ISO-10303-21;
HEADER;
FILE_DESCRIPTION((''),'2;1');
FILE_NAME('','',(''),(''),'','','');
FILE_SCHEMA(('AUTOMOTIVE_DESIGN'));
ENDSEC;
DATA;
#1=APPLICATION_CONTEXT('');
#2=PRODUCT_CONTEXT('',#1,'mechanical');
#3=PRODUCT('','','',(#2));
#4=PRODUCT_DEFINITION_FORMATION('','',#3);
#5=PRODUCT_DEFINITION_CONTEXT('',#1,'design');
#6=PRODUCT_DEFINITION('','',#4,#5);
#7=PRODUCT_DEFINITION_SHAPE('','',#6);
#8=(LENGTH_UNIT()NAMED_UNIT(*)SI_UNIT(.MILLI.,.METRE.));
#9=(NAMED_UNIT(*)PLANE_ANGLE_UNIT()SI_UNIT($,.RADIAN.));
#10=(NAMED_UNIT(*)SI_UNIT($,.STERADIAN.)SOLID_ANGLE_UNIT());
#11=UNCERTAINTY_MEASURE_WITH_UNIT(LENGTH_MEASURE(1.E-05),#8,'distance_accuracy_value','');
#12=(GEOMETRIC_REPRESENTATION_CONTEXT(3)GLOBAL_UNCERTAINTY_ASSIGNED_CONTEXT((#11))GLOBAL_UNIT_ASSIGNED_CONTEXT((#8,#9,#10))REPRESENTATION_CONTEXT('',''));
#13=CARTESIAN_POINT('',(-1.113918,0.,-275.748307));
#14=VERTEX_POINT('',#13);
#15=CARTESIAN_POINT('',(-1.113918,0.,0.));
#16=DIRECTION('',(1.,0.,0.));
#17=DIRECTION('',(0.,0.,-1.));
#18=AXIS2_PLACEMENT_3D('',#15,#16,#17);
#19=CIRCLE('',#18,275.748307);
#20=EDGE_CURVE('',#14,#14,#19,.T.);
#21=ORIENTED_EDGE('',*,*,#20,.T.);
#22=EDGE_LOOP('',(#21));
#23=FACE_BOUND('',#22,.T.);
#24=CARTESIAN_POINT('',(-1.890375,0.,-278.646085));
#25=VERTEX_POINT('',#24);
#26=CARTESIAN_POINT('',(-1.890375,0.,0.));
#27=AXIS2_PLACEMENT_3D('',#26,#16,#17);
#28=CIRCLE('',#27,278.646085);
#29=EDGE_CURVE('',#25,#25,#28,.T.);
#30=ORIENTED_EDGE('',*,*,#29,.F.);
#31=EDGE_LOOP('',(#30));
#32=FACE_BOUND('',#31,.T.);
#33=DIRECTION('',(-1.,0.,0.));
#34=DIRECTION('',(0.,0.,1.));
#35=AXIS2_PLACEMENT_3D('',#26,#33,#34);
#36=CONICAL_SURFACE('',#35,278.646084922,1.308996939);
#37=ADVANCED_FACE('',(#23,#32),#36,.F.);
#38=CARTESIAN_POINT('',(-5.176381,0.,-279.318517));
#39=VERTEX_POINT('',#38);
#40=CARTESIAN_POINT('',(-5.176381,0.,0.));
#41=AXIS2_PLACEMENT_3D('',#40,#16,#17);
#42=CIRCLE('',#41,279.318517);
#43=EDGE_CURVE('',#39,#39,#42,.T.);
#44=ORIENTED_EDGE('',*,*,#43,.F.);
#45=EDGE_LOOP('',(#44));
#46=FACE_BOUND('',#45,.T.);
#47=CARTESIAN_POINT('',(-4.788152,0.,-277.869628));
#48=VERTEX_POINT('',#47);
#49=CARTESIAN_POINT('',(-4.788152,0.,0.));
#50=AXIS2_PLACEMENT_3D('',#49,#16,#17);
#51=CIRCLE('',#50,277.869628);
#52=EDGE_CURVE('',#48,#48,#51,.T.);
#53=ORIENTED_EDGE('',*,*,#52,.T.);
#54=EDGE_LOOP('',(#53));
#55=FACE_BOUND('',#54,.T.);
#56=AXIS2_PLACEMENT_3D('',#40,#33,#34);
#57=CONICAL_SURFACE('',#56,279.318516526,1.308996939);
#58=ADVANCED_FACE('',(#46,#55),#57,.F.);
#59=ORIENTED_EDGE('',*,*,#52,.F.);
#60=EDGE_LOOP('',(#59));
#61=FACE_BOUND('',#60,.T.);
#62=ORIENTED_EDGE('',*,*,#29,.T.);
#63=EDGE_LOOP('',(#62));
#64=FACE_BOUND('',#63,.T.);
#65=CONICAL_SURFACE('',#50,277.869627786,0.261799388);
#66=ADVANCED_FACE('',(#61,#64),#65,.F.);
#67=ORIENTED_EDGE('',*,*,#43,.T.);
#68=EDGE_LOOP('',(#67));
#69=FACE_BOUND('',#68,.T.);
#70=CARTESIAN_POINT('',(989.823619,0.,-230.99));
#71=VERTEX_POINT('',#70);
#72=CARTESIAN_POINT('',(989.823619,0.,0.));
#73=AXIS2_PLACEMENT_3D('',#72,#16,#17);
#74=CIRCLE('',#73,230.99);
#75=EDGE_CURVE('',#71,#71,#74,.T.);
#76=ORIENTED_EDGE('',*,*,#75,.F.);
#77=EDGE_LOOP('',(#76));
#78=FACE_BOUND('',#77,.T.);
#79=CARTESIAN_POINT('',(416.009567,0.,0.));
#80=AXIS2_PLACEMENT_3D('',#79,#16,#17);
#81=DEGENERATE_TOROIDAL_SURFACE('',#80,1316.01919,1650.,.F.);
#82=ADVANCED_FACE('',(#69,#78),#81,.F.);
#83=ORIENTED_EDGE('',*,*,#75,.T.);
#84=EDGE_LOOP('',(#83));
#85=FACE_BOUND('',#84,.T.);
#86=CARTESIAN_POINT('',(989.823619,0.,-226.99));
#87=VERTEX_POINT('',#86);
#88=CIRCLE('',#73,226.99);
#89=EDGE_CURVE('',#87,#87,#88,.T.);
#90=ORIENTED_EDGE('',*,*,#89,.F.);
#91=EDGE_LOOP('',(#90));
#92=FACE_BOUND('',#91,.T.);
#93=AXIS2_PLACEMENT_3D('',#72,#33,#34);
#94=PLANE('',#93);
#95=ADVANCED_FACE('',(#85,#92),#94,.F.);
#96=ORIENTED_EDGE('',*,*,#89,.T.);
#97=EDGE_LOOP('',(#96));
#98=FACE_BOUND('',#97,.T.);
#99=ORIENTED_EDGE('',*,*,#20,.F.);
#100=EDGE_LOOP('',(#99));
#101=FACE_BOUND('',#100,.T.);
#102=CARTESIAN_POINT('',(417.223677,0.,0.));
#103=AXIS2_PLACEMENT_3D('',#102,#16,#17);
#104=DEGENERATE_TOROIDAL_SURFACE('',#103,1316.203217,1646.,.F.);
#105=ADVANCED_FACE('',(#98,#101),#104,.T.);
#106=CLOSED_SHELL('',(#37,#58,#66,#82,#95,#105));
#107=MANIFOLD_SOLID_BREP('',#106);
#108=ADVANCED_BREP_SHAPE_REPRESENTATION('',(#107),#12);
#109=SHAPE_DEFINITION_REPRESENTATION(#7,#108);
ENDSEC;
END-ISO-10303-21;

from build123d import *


with BuildPart() as part:
    # Sketch1 → Revolve2 (revolve)
    with BuildSketch(Plane.XY, mode=Mode.PRIVATE) as revolve2_sk:
        with BuildLine():
            Line((-1.890374856, 278.646084922), (-1.11391772, 275.748307443))
            ThreePointArc((-1.11391772, 275.748307443), (498.11595777, 327.807865041), (989.823619098, 226.99))
            Line((989.823619098, 226.99), (989.823619098, 230.99))
            ThreePointArc((989.823619098, 230.99), (496.057964386, 332.037925075), (-5.176380902, 279.318516526))
            Line((-5.176380902, 279.318516526), (-4.788152334, 277.869627786))
            Line((-4.788152334, 277.869627786), (-1.890374856, 278.646084922))
        make_face()
    revolve(revolve2_sk.sketch.rotate(Axis((135.597306746, 0, 0), (-1, 0, 0)), 90), axis=Axis((135.597306746, 0, 0), (-1, 0, 0)))


solid = part.part
